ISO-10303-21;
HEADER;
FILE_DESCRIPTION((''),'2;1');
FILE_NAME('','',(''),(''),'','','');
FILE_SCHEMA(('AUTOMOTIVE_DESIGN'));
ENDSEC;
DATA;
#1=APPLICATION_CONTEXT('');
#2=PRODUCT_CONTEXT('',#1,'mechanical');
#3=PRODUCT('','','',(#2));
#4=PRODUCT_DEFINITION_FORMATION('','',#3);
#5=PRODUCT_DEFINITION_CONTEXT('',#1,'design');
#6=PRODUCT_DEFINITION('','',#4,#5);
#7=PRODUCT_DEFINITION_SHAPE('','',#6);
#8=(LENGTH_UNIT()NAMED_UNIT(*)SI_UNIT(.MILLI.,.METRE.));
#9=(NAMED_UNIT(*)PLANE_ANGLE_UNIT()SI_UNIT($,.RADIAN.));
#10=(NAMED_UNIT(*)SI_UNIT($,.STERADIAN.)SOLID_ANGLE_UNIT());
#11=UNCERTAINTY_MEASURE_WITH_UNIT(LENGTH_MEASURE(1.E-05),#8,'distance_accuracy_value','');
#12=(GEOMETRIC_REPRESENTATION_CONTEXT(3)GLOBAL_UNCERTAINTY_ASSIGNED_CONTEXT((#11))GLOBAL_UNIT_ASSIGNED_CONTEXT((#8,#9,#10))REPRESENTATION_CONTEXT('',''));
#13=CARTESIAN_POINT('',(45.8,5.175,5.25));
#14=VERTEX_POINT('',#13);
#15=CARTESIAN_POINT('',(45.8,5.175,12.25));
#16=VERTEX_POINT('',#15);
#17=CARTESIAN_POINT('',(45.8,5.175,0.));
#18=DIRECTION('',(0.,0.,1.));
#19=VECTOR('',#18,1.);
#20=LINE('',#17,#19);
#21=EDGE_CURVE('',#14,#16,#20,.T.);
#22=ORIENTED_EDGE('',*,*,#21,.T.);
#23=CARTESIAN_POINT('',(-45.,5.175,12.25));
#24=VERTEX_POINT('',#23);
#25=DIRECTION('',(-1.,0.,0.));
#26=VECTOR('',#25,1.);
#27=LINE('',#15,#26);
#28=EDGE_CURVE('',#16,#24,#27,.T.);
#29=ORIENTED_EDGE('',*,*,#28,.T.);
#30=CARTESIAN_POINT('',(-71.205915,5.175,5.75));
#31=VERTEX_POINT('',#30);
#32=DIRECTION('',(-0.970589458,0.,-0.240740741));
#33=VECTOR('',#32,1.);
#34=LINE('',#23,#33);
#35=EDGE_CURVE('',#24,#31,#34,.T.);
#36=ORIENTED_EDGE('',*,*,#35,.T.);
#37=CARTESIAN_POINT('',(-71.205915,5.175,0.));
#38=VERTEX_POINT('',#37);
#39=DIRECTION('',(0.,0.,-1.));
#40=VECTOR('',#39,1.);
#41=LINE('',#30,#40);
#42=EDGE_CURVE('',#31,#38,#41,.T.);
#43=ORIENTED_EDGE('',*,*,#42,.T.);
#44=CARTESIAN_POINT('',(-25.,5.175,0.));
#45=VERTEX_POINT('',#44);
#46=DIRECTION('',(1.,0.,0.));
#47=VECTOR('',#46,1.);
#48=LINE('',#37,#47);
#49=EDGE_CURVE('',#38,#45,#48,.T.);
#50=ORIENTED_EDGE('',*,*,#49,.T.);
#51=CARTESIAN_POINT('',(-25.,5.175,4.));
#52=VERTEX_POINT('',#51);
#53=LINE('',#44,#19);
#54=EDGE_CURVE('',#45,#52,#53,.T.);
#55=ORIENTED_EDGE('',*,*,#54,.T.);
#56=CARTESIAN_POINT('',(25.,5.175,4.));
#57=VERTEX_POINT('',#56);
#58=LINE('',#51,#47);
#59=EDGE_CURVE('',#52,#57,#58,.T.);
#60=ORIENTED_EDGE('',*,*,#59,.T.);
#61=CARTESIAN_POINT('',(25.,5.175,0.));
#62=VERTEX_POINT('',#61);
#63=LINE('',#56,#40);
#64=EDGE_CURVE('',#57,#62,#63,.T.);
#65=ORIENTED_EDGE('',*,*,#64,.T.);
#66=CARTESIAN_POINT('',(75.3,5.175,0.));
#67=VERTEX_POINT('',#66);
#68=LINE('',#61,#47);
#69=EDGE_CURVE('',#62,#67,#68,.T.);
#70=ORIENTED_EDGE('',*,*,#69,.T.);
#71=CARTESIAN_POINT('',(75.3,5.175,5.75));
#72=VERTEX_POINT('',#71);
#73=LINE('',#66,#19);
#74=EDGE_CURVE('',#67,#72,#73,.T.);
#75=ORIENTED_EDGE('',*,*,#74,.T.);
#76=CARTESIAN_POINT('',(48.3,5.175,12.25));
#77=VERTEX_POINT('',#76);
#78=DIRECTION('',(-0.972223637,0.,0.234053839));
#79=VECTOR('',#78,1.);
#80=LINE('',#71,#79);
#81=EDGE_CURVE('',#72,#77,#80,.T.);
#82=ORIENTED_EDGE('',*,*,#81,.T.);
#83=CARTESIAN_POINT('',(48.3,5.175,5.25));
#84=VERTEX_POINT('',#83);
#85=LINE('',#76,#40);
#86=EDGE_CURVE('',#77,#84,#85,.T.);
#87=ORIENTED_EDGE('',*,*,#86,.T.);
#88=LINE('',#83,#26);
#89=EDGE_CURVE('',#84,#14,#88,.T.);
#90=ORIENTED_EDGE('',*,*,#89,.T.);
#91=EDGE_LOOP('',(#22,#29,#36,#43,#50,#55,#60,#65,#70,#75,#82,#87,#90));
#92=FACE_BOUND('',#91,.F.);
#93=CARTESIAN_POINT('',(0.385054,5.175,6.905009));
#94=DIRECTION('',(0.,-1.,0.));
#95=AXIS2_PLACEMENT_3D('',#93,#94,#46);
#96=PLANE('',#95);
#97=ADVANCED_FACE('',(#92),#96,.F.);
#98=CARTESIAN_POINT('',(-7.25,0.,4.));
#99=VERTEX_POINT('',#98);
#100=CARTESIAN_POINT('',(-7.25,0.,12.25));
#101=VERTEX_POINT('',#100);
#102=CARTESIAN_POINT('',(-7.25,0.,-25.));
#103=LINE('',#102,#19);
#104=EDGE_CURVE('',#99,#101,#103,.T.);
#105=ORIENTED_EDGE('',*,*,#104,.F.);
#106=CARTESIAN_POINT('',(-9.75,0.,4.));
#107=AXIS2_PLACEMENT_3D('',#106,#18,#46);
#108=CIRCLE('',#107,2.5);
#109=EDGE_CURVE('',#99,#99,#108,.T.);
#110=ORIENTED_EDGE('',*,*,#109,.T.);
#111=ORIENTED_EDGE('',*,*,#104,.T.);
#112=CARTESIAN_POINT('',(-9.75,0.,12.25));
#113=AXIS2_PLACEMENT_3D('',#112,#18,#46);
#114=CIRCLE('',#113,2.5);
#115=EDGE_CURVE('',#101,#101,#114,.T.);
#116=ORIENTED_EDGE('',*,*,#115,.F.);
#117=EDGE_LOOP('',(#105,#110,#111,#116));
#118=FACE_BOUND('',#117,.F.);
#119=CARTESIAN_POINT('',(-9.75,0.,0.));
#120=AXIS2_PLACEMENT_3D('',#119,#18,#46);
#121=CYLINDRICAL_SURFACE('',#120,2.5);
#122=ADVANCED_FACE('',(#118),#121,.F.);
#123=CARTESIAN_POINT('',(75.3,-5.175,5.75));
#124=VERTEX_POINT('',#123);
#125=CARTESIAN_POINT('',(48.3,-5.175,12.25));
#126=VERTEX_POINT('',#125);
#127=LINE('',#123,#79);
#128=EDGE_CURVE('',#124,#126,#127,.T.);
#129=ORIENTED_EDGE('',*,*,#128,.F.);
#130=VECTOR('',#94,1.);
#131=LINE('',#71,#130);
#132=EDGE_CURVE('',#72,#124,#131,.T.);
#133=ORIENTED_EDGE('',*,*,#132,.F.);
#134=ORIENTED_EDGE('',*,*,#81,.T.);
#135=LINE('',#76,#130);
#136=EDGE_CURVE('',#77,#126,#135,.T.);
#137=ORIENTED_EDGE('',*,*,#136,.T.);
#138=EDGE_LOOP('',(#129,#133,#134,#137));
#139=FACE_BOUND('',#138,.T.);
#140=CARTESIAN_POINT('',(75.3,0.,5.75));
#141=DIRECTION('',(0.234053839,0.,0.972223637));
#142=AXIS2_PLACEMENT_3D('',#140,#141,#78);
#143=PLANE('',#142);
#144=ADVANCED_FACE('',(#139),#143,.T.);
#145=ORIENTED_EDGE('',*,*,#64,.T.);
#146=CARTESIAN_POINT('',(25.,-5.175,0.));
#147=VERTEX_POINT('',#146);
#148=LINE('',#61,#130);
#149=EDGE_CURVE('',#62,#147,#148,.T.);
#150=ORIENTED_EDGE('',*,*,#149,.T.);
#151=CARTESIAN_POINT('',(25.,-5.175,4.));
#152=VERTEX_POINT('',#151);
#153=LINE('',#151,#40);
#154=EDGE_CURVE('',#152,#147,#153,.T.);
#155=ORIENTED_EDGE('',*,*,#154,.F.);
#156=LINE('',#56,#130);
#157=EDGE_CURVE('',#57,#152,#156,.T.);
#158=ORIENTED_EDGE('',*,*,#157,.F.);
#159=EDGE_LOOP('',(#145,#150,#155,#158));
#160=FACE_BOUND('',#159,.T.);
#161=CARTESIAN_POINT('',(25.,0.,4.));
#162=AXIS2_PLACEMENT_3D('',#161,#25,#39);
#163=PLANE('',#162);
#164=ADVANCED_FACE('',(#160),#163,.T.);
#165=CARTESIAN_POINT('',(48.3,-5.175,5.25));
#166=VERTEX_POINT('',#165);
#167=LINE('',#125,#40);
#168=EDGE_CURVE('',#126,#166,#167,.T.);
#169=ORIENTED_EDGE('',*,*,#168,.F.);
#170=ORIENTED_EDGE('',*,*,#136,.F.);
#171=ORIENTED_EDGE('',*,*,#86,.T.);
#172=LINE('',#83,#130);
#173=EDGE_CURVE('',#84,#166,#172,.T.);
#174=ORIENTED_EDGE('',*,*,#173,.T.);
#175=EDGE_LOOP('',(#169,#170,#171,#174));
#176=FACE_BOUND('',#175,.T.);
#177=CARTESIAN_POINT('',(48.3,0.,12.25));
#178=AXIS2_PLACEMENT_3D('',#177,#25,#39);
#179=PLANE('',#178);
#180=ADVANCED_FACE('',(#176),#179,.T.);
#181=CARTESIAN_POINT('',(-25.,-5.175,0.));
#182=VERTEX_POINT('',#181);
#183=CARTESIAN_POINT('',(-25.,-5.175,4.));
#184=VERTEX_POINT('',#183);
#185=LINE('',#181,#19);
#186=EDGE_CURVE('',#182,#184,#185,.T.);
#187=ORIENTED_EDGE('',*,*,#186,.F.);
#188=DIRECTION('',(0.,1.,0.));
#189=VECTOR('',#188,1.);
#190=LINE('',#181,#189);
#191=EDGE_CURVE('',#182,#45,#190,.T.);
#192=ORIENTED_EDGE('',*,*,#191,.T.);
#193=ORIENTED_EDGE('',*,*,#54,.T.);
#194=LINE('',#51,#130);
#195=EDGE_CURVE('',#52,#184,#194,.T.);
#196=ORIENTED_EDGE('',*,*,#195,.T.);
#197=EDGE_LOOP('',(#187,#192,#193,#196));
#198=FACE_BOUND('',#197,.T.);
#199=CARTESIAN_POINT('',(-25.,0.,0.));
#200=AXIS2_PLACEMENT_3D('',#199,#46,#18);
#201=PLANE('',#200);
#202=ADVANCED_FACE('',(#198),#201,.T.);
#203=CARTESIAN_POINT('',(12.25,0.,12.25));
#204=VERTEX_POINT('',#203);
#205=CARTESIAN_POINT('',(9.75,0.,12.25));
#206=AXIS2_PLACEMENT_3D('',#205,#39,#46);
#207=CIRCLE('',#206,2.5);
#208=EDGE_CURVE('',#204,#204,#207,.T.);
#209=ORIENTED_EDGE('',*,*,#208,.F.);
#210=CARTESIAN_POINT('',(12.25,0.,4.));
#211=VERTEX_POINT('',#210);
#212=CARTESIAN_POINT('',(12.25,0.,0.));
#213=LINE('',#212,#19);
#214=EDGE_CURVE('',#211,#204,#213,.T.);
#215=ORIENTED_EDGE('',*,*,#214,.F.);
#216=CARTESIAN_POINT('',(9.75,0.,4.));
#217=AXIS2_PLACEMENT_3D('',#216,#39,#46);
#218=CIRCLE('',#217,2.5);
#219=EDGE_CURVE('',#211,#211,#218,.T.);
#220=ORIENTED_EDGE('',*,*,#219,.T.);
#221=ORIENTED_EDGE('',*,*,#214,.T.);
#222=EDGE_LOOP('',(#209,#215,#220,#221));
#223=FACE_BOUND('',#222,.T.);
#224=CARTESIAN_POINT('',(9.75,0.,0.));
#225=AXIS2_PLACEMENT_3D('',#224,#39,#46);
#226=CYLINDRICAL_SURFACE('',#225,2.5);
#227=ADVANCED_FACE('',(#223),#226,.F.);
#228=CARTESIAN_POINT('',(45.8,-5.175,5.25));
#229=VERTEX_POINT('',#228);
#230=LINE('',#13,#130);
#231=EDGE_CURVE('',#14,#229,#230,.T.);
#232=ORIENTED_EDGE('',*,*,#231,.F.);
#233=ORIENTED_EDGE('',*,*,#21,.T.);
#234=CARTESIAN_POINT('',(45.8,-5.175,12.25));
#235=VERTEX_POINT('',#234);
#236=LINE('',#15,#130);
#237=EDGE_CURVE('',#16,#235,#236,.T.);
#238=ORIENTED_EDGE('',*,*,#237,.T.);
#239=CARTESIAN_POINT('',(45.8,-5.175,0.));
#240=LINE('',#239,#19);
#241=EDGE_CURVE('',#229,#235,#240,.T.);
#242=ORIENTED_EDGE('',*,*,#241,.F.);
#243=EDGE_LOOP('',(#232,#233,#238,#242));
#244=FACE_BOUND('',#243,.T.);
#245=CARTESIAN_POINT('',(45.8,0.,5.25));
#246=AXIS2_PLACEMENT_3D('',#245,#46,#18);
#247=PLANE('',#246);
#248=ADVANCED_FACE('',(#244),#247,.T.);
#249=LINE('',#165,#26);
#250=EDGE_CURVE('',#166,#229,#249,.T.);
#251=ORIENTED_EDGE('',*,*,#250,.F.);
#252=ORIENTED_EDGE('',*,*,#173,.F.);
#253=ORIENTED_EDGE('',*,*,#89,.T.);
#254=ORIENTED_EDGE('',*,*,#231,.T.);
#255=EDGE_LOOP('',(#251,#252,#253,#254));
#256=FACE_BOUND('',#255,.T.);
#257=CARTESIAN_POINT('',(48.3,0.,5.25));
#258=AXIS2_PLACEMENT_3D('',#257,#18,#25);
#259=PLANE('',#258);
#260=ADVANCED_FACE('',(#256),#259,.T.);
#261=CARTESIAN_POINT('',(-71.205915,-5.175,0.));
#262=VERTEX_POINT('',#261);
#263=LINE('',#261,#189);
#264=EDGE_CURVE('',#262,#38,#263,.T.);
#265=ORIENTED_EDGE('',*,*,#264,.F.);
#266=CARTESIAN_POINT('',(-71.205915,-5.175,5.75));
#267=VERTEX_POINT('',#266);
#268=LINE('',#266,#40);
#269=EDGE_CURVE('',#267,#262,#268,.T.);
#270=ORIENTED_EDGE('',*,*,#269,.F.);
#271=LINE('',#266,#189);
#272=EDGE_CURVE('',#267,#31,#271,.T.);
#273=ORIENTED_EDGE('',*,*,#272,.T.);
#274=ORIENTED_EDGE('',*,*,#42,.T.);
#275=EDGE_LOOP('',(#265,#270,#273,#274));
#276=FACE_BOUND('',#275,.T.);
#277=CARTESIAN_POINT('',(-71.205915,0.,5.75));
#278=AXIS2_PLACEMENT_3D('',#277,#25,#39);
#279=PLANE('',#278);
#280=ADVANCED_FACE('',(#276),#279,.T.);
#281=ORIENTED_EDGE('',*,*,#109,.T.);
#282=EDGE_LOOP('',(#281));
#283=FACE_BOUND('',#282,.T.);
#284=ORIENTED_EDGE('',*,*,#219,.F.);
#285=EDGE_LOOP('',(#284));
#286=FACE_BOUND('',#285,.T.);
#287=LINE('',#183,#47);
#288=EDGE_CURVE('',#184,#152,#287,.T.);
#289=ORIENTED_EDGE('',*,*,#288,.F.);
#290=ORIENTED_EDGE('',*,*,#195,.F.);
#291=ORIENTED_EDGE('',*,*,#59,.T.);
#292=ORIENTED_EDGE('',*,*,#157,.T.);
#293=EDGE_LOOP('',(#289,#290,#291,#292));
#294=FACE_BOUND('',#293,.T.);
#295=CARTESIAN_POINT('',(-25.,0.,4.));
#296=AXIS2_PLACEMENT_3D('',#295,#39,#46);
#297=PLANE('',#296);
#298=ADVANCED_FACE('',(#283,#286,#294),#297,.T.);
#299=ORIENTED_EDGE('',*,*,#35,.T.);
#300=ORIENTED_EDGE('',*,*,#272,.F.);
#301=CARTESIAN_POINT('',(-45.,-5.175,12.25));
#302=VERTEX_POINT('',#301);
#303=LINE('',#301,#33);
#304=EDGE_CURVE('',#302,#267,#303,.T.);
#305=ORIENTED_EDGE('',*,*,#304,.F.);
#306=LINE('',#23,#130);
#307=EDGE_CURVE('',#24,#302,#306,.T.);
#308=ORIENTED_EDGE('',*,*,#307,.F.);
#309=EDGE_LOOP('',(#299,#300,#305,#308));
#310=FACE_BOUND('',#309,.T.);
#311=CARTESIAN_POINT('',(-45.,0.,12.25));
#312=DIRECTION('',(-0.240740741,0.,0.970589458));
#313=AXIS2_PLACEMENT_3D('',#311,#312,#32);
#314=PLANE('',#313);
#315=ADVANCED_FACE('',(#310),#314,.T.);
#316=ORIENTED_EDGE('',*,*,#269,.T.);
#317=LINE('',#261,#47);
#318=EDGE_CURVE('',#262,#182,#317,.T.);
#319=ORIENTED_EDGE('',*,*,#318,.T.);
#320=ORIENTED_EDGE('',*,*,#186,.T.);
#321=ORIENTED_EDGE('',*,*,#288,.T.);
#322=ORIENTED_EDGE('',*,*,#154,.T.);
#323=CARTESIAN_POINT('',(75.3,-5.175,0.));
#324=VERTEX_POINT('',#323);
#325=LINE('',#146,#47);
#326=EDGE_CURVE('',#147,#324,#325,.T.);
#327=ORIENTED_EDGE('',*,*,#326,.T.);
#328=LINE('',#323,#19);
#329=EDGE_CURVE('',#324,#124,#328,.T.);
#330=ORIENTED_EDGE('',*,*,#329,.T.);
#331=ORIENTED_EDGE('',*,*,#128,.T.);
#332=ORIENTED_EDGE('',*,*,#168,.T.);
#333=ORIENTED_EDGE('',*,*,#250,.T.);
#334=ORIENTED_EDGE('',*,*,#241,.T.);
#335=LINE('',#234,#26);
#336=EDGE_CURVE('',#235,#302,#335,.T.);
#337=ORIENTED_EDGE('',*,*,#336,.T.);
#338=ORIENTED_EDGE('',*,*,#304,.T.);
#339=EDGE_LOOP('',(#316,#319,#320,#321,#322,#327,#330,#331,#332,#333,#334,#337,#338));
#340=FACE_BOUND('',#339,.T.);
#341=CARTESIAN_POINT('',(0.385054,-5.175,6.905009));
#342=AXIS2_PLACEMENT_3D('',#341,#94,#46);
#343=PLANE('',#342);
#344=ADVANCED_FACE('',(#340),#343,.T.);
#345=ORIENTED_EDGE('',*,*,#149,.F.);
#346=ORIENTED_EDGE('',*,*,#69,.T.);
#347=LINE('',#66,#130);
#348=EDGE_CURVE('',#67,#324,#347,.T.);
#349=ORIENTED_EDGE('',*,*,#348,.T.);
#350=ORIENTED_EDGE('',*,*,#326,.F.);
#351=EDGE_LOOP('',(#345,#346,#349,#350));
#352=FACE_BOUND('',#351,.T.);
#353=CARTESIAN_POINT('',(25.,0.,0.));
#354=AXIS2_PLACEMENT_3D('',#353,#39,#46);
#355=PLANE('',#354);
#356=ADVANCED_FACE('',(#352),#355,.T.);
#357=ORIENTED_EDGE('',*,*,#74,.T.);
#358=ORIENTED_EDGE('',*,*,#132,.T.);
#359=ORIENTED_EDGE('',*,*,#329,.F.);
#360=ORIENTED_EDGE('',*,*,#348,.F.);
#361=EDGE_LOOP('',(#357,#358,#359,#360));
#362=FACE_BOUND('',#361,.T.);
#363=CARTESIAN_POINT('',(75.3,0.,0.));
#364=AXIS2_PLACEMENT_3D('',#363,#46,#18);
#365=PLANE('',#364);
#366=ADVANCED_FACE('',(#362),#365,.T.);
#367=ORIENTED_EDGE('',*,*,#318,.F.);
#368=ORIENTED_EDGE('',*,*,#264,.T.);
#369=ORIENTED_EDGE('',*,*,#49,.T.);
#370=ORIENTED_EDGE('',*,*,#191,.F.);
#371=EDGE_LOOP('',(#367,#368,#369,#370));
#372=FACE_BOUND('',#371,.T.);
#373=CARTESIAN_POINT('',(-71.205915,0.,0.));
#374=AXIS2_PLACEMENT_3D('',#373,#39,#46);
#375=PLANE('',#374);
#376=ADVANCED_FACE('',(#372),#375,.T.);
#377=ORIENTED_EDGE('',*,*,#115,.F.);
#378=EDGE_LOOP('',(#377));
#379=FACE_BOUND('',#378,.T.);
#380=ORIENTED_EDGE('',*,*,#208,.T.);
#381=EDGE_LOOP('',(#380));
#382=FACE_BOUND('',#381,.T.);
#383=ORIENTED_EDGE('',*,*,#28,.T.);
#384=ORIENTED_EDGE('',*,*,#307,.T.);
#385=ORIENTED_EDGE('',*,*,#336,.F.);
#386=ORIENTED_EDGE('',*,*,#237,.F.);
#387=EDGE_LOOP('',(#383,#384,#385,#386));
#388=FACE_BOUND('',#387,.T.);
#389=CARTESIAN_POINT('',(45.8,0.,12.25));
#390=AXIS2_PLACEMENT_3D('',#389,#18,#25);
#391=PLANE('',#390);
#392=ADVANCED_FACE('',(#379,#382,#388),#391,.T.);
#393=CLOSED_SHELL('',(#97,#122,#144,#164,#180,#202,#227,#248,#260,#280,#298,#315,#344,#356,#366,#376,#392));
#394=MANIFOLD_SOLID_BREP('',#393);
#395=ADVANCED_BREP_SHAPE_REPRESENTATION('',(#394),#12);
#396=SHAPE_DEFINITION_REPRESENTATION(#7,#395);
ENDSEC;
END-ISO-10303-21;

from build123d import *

# Parameters (mm, degrees)
F1_DEPTH = 5.175
F2_R     = 2.5
F3_DEPTH = 25


with BuildPart() as f1:
    # F0 (on Front) → F1 (new body, symmetric)
    with BuildSketch(Plane.XZ):
        Polygon((-25, 0), (-25, 4), (25, 4), (25, 0), (45.8, 0), (45.8, 5.25), (45.8, 12.25), (-45, 12.25), (-45, 0), align=None)
        Polygon((-71.2059153628, 0), (-45, 0), (-45, 12.25), (-71.2059153628, 5.75), align=None)
        Polygon((45.8, 5.25), (45.8, 0), (75.3, 0), (75.3, 5.75), (48.3, 12.25), (48.3, 5.25), align=None)
    extrude(amount=F1_DEPTH, both=True)

    # F2 (on Top) → F3 (cut, symmetric)
    with BuildSketch(Plane.XY):
        with Locations((9.75, 0)):
            Circle(F2_R)
        with Locations((-9.75, 0)):
            Circle(F2_R)
    extrude(amount=F3_DEPTH, both=True, mode=Mode.SUBTRACT)


solid = f1.part
